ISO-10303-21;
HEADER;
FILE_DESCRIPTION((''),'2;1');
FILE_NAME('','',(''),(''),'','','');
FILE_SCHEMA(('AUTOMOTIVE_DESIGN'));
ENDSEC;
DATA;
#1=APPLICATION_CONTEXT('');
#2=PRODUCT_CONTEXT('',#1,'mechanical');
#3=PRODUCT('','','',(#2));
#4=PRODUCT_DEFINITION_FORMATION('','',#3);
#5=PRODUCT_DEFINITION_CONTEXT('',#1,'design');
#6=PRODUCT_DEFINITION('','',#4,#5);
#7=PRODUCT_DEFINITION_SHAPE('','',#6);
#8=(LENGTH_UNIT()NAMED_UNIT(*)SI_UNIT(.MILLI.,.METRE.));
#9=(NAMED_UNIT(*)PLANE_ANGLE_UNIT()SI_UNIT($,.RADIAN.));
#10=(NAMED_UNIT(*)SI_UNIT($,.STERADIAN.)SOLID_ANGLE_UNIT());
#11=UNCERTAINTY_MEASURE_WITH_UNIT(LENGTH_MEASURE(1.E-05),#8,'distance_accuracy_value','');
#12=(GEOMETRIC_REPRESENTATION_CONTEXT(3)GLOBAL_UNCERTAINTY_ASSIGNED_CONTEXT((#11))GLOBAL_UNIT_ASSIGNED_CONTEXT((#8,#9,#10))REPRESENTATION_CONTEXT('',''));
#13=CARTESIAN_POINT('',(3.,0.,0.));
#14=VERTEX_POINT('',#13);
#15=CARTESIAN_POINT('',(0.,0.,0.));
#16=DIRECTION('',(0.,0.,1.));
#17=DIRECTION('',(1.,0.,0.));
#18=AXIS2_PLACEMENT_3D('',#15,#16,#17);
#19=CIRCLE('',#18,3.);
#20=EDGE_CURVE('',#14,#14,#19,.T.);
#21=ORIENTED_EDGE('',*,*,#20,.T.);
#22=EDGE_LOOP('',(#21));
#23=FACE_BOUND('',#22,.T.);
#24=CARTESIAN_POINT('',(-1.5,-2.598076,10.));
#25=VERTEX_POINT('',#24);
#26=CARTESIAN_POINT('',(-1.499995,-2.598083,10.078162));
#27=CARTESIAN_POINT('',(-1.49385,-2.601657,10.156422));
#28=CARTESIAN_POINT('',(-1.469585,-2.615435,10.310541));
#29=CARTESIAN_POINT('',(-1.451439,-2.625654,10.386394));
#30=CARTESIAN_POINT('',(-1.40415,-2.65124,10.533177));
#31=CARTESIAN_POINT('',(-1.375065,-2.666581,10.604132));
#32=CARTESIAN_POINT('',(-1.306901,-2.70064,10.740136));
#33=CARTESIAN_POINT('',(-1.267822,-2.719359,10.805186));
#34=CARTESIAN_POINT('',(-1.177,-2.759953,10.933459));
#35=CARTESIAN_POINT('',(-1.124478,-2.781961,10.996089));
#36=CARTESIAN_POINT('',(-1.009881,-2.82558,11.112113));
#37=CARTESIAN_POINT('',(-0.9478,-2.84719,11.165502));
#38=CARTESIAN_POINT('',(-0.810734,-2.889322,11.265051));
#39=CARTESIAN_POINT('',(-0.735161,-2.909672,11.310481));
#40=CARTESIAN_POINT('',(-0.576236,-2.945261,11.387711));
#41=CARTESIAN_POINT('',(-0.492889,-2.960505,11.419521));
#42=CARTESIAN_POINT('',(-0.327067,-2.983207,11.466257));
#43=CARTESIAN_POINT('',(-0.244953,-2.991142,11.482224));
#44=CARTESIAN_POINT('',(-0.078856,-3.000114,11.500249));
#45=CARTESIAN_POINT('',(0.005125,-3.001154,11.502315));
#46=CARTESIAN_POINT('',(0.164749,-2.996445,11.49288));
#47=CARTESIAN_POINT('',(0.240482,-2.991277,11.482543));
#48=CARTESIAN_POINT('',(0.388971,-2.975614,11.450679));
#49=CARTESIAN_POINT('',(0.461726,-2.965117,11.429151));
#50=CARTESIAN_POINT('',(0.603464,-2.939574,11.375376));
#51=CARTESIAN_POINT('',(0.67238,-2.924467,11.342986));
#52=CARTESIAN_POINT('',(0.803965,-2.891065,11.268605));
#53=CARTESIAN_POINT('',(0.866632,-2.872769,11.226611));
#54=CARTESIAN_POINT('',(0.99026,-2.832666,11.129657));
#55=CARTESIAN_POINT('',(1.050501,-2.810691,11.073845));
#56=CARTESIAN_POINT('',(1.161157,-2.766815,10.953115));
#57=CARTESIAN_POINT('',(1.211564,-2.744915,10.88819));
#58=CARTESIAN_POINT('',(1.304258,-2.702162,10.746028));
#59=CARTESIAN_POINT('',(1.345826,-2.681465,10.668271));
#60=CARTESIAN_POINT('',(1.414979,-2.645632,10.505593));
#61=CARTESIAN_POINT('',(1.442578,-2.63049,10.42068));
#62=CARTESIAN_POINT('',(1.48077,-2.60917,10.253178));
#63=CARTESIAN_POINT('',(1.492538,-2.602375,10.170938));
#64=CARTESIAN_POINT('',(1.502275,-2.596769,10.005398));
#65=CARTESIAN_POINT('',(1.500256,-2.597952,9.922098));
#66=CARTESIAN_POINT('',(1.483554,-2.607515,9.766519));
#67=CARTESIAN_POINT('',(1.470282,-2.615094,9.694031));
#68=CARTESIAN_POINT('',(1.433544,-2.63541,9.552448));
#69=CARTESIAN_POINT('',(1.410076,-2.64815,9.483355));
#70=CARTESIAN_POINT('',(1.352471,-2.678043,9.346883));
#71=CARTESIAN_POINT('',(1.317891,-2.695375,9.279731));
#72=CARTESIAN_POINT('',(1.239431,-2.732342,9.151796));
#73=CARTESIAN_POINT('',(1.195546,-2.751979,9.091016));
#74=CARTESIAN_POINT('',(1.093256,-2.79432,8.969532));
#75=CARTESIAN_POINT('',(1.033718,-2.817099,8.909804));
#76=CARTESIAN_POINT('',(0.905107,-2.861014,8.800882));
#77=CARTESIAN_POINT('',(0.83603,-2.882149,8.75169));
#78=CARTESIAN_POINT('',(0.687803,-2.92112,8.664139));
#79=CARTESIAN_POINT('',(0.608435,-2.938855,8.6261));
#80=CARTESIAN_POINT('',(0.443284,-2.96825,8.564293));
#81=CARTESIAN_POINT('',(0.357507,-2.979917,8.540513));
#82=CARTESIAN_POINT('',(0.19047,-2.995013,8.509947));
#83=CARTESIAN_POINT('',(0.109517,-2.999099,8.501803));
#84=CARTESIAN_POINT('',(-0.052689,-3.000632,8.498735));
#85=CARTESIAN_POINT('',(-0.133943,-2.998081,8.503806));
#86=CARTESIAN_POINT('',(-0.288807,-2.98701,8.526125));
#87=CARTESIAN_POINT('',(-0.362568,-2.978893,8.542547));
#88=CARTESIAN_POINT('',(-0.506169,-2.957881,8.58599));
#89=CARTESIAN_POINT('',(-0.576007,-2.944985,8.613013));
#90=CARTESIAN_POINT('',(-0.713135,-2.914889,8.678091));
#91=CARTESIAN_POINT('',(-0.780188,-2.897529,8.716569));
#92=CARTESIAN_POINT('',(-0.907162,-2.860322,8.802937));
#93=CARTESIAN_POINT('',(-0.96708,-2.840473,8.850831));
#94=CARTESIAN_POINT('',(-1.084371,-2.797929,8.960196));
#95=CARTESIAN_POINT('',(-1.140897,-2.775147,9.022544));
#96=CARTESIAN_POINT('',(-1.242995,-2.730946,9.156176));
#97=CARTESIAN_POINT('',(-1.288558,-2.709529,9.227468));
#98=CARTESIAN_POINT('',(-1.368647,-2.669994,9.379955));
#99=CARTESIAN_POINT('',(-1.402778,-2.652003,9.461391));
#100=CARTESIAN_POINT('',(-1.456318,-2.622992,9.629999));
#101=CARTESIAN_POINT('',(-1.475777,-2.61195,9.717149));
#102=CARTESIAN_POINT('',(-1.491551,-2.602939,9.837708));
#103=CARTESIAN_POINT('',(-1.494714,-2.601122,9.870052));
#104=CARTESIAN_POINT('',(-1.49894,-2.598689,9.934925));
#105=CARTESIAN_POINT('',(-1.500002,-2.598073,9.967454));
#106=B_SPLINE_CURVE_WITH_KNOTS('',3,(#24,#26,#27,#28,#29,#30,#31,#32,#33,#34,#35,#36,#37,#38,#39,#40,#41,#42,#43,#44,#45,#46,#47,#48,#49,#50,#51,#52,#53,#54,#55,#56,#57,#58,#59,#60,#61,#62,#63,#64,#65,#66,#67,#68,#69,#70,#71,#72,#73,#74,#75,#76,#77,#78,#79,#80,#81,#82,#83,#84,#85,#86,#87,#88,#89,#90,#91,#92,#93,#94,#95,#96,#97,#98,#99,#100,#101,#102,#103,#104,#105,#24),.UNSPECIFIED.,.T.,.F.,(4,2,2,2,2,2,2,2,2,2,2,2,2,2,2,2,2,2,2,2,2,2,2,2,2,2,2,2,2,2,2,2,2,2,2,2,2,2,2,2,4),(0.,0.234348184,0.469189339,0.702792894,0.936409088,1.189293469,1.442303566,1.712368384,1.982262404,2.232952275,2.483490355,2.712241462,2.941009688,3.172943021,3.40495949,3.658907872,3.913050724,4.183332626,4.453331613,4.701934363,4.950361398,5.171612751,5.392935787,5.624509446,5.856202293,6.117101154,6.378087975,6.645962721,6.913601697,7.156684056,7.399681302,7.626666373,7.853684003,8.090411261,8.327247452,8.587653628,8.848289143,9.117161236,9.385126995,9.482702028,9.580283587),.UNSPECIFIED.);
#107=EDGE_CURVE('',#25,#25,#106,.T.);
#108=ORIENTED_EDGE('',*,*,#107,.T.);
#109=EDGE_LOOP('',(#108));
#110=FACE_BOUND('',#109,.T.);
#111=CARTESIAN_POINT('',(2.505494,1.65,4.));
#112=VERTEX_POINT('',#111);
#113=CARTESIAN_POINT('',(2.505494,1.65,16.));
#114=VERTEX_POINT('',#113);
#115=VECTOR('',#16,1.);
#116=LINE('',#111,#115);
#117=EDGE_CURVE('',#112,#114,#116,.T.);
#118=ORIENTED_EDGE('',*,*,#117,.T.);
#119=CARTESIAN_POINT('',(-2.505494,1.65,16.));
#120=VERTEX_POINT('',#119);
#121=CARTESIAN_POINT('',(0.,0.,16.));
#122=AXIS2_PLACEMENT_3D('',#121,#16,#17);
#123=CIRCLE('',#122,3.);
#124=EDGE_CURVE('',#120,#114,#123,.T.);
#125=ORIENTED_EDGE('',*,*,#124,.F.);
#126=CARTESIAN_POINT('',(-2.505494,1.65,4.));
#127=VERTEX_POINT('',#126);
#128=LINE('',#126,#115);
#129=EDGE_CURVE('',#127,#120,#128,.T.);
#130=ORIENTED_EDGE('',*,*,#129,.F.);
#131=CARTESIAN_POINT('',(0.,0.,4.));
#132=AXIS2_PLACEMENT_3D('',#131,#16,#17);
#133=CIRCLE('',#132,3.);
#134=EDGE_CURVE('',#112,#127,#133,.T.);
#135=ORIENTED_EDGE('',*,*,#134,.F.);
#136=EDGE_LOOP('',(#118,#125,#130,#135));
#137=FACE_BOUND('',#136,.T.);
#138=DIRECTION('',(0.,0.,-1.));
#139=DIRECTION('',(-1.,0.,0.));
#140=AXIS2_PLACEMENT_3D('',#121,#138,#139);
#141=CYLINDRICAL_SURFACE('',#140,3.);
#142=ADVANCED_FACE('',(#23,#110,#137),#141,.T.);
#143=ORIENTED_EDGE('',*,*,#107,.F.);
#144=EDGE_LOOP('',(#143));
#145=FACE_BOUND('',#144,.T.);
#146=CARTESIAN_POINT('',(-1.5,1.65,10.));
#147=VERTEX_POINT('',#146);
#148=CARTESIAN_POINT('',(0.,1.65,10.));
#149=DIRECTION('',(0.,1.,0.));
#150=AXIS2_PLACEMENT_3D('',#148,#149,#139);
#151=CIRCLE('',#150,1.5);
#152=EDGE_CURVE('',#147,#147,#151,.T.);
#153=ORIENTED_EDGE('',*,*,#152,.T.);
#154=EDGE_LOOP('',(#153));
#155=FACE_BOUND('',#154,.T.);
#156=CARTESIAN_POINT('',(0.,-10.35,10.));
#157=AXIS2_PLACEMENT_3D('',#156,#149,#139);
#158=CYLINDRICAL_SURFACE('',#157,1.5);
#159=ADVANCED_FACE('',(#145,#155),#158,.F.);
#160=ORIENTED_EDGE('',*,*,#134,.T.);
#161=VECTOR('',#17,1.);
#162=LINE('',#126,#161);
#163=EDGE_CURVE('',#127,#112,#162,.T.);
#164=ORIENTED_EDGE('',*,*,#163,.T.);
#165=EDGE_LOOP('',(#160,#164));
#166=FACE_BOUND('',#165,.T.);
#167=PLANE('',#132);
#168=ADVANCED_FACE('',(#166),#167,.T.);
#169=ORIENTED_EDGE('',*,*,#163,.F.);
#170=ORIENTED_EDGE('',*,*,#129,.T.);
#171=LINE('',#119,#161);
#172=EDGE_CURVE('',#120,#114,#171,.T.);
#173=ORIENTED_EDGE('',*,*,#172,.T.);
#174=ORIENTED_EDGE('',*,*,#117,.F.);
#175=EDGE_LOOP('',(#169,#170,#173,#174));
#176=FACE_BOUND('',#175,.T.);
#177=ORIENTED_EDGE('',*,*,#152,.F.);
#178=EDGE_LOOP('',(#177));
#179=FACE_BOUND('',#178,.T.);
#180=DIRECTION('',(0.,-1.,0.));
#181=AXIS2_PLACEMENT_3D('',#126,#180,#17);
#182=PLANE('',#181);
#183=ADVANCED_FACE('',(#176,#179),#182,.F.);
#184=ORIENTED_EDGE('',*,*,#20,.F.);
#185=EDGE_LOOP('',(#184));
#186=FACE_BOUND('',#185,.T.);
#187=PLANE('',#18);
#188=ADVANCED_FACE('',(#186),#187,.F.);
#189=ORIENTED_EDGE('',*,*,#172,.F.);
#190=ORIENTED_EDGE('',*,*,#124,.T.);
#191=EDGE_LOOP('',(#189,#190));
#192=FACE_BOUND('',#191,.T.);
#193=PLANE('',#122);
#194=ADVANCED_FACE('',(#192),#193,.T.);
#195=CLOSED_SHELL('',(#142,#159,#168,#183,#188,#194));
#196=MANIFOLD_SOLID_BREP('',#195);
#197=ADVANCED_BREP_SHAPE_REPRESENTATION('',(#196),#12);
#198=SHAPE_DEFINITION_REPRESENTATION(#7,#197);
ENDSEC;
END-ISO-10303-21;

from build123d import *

# Parameters (mm, degrees)
SKETCH1_R           = 3
BOSS_EXTRUDE1_DEPTH = 16
CUT_EXTRUDE1_DEPTH  = 12
SKETCH3_R           = 1.5
CUT_EXTRUDE2_DEPTH  = 12


with BuildPart() as part:
    # Sketch1 → Boss-Extrude1 (new body)
    with BuildSketch(Plane.XY):
        Circle(SKETCH1_R)
    extrude(amount=BOSS_EXTRUDE1_DEPTH)

    # Sketch2 → Cut-Extrude1 (cut)
    with BuildSketch(Plane.XY.offset(16)):
        with BuildLine():
            Line((-2.505493963, 1.65), (2.505493963, 1.65))
            ThreePointArc((2.505493963, 1.65), (0, 3), (-2.505493963, 1.65))
        make_face()
    extrude(amount=-CUT_EXTRUDE1_DEPTH, mode=Mode.SUBTRACT)

    # Sketch3 → Cut-Extrude2 (cut)
    with BuildSketch(Plane(origin=(0, 1.65, 0), x_dir=(1, 0, 0), z_dir=(0, 1, 0))):
        with Locations((0, -10)):
            Circle(SKETCH3_R)
    extrude(amount=-CUT_EXTRUDE2_DEPTH, mode=Mode.SUBTRACT)


solid = part.part
